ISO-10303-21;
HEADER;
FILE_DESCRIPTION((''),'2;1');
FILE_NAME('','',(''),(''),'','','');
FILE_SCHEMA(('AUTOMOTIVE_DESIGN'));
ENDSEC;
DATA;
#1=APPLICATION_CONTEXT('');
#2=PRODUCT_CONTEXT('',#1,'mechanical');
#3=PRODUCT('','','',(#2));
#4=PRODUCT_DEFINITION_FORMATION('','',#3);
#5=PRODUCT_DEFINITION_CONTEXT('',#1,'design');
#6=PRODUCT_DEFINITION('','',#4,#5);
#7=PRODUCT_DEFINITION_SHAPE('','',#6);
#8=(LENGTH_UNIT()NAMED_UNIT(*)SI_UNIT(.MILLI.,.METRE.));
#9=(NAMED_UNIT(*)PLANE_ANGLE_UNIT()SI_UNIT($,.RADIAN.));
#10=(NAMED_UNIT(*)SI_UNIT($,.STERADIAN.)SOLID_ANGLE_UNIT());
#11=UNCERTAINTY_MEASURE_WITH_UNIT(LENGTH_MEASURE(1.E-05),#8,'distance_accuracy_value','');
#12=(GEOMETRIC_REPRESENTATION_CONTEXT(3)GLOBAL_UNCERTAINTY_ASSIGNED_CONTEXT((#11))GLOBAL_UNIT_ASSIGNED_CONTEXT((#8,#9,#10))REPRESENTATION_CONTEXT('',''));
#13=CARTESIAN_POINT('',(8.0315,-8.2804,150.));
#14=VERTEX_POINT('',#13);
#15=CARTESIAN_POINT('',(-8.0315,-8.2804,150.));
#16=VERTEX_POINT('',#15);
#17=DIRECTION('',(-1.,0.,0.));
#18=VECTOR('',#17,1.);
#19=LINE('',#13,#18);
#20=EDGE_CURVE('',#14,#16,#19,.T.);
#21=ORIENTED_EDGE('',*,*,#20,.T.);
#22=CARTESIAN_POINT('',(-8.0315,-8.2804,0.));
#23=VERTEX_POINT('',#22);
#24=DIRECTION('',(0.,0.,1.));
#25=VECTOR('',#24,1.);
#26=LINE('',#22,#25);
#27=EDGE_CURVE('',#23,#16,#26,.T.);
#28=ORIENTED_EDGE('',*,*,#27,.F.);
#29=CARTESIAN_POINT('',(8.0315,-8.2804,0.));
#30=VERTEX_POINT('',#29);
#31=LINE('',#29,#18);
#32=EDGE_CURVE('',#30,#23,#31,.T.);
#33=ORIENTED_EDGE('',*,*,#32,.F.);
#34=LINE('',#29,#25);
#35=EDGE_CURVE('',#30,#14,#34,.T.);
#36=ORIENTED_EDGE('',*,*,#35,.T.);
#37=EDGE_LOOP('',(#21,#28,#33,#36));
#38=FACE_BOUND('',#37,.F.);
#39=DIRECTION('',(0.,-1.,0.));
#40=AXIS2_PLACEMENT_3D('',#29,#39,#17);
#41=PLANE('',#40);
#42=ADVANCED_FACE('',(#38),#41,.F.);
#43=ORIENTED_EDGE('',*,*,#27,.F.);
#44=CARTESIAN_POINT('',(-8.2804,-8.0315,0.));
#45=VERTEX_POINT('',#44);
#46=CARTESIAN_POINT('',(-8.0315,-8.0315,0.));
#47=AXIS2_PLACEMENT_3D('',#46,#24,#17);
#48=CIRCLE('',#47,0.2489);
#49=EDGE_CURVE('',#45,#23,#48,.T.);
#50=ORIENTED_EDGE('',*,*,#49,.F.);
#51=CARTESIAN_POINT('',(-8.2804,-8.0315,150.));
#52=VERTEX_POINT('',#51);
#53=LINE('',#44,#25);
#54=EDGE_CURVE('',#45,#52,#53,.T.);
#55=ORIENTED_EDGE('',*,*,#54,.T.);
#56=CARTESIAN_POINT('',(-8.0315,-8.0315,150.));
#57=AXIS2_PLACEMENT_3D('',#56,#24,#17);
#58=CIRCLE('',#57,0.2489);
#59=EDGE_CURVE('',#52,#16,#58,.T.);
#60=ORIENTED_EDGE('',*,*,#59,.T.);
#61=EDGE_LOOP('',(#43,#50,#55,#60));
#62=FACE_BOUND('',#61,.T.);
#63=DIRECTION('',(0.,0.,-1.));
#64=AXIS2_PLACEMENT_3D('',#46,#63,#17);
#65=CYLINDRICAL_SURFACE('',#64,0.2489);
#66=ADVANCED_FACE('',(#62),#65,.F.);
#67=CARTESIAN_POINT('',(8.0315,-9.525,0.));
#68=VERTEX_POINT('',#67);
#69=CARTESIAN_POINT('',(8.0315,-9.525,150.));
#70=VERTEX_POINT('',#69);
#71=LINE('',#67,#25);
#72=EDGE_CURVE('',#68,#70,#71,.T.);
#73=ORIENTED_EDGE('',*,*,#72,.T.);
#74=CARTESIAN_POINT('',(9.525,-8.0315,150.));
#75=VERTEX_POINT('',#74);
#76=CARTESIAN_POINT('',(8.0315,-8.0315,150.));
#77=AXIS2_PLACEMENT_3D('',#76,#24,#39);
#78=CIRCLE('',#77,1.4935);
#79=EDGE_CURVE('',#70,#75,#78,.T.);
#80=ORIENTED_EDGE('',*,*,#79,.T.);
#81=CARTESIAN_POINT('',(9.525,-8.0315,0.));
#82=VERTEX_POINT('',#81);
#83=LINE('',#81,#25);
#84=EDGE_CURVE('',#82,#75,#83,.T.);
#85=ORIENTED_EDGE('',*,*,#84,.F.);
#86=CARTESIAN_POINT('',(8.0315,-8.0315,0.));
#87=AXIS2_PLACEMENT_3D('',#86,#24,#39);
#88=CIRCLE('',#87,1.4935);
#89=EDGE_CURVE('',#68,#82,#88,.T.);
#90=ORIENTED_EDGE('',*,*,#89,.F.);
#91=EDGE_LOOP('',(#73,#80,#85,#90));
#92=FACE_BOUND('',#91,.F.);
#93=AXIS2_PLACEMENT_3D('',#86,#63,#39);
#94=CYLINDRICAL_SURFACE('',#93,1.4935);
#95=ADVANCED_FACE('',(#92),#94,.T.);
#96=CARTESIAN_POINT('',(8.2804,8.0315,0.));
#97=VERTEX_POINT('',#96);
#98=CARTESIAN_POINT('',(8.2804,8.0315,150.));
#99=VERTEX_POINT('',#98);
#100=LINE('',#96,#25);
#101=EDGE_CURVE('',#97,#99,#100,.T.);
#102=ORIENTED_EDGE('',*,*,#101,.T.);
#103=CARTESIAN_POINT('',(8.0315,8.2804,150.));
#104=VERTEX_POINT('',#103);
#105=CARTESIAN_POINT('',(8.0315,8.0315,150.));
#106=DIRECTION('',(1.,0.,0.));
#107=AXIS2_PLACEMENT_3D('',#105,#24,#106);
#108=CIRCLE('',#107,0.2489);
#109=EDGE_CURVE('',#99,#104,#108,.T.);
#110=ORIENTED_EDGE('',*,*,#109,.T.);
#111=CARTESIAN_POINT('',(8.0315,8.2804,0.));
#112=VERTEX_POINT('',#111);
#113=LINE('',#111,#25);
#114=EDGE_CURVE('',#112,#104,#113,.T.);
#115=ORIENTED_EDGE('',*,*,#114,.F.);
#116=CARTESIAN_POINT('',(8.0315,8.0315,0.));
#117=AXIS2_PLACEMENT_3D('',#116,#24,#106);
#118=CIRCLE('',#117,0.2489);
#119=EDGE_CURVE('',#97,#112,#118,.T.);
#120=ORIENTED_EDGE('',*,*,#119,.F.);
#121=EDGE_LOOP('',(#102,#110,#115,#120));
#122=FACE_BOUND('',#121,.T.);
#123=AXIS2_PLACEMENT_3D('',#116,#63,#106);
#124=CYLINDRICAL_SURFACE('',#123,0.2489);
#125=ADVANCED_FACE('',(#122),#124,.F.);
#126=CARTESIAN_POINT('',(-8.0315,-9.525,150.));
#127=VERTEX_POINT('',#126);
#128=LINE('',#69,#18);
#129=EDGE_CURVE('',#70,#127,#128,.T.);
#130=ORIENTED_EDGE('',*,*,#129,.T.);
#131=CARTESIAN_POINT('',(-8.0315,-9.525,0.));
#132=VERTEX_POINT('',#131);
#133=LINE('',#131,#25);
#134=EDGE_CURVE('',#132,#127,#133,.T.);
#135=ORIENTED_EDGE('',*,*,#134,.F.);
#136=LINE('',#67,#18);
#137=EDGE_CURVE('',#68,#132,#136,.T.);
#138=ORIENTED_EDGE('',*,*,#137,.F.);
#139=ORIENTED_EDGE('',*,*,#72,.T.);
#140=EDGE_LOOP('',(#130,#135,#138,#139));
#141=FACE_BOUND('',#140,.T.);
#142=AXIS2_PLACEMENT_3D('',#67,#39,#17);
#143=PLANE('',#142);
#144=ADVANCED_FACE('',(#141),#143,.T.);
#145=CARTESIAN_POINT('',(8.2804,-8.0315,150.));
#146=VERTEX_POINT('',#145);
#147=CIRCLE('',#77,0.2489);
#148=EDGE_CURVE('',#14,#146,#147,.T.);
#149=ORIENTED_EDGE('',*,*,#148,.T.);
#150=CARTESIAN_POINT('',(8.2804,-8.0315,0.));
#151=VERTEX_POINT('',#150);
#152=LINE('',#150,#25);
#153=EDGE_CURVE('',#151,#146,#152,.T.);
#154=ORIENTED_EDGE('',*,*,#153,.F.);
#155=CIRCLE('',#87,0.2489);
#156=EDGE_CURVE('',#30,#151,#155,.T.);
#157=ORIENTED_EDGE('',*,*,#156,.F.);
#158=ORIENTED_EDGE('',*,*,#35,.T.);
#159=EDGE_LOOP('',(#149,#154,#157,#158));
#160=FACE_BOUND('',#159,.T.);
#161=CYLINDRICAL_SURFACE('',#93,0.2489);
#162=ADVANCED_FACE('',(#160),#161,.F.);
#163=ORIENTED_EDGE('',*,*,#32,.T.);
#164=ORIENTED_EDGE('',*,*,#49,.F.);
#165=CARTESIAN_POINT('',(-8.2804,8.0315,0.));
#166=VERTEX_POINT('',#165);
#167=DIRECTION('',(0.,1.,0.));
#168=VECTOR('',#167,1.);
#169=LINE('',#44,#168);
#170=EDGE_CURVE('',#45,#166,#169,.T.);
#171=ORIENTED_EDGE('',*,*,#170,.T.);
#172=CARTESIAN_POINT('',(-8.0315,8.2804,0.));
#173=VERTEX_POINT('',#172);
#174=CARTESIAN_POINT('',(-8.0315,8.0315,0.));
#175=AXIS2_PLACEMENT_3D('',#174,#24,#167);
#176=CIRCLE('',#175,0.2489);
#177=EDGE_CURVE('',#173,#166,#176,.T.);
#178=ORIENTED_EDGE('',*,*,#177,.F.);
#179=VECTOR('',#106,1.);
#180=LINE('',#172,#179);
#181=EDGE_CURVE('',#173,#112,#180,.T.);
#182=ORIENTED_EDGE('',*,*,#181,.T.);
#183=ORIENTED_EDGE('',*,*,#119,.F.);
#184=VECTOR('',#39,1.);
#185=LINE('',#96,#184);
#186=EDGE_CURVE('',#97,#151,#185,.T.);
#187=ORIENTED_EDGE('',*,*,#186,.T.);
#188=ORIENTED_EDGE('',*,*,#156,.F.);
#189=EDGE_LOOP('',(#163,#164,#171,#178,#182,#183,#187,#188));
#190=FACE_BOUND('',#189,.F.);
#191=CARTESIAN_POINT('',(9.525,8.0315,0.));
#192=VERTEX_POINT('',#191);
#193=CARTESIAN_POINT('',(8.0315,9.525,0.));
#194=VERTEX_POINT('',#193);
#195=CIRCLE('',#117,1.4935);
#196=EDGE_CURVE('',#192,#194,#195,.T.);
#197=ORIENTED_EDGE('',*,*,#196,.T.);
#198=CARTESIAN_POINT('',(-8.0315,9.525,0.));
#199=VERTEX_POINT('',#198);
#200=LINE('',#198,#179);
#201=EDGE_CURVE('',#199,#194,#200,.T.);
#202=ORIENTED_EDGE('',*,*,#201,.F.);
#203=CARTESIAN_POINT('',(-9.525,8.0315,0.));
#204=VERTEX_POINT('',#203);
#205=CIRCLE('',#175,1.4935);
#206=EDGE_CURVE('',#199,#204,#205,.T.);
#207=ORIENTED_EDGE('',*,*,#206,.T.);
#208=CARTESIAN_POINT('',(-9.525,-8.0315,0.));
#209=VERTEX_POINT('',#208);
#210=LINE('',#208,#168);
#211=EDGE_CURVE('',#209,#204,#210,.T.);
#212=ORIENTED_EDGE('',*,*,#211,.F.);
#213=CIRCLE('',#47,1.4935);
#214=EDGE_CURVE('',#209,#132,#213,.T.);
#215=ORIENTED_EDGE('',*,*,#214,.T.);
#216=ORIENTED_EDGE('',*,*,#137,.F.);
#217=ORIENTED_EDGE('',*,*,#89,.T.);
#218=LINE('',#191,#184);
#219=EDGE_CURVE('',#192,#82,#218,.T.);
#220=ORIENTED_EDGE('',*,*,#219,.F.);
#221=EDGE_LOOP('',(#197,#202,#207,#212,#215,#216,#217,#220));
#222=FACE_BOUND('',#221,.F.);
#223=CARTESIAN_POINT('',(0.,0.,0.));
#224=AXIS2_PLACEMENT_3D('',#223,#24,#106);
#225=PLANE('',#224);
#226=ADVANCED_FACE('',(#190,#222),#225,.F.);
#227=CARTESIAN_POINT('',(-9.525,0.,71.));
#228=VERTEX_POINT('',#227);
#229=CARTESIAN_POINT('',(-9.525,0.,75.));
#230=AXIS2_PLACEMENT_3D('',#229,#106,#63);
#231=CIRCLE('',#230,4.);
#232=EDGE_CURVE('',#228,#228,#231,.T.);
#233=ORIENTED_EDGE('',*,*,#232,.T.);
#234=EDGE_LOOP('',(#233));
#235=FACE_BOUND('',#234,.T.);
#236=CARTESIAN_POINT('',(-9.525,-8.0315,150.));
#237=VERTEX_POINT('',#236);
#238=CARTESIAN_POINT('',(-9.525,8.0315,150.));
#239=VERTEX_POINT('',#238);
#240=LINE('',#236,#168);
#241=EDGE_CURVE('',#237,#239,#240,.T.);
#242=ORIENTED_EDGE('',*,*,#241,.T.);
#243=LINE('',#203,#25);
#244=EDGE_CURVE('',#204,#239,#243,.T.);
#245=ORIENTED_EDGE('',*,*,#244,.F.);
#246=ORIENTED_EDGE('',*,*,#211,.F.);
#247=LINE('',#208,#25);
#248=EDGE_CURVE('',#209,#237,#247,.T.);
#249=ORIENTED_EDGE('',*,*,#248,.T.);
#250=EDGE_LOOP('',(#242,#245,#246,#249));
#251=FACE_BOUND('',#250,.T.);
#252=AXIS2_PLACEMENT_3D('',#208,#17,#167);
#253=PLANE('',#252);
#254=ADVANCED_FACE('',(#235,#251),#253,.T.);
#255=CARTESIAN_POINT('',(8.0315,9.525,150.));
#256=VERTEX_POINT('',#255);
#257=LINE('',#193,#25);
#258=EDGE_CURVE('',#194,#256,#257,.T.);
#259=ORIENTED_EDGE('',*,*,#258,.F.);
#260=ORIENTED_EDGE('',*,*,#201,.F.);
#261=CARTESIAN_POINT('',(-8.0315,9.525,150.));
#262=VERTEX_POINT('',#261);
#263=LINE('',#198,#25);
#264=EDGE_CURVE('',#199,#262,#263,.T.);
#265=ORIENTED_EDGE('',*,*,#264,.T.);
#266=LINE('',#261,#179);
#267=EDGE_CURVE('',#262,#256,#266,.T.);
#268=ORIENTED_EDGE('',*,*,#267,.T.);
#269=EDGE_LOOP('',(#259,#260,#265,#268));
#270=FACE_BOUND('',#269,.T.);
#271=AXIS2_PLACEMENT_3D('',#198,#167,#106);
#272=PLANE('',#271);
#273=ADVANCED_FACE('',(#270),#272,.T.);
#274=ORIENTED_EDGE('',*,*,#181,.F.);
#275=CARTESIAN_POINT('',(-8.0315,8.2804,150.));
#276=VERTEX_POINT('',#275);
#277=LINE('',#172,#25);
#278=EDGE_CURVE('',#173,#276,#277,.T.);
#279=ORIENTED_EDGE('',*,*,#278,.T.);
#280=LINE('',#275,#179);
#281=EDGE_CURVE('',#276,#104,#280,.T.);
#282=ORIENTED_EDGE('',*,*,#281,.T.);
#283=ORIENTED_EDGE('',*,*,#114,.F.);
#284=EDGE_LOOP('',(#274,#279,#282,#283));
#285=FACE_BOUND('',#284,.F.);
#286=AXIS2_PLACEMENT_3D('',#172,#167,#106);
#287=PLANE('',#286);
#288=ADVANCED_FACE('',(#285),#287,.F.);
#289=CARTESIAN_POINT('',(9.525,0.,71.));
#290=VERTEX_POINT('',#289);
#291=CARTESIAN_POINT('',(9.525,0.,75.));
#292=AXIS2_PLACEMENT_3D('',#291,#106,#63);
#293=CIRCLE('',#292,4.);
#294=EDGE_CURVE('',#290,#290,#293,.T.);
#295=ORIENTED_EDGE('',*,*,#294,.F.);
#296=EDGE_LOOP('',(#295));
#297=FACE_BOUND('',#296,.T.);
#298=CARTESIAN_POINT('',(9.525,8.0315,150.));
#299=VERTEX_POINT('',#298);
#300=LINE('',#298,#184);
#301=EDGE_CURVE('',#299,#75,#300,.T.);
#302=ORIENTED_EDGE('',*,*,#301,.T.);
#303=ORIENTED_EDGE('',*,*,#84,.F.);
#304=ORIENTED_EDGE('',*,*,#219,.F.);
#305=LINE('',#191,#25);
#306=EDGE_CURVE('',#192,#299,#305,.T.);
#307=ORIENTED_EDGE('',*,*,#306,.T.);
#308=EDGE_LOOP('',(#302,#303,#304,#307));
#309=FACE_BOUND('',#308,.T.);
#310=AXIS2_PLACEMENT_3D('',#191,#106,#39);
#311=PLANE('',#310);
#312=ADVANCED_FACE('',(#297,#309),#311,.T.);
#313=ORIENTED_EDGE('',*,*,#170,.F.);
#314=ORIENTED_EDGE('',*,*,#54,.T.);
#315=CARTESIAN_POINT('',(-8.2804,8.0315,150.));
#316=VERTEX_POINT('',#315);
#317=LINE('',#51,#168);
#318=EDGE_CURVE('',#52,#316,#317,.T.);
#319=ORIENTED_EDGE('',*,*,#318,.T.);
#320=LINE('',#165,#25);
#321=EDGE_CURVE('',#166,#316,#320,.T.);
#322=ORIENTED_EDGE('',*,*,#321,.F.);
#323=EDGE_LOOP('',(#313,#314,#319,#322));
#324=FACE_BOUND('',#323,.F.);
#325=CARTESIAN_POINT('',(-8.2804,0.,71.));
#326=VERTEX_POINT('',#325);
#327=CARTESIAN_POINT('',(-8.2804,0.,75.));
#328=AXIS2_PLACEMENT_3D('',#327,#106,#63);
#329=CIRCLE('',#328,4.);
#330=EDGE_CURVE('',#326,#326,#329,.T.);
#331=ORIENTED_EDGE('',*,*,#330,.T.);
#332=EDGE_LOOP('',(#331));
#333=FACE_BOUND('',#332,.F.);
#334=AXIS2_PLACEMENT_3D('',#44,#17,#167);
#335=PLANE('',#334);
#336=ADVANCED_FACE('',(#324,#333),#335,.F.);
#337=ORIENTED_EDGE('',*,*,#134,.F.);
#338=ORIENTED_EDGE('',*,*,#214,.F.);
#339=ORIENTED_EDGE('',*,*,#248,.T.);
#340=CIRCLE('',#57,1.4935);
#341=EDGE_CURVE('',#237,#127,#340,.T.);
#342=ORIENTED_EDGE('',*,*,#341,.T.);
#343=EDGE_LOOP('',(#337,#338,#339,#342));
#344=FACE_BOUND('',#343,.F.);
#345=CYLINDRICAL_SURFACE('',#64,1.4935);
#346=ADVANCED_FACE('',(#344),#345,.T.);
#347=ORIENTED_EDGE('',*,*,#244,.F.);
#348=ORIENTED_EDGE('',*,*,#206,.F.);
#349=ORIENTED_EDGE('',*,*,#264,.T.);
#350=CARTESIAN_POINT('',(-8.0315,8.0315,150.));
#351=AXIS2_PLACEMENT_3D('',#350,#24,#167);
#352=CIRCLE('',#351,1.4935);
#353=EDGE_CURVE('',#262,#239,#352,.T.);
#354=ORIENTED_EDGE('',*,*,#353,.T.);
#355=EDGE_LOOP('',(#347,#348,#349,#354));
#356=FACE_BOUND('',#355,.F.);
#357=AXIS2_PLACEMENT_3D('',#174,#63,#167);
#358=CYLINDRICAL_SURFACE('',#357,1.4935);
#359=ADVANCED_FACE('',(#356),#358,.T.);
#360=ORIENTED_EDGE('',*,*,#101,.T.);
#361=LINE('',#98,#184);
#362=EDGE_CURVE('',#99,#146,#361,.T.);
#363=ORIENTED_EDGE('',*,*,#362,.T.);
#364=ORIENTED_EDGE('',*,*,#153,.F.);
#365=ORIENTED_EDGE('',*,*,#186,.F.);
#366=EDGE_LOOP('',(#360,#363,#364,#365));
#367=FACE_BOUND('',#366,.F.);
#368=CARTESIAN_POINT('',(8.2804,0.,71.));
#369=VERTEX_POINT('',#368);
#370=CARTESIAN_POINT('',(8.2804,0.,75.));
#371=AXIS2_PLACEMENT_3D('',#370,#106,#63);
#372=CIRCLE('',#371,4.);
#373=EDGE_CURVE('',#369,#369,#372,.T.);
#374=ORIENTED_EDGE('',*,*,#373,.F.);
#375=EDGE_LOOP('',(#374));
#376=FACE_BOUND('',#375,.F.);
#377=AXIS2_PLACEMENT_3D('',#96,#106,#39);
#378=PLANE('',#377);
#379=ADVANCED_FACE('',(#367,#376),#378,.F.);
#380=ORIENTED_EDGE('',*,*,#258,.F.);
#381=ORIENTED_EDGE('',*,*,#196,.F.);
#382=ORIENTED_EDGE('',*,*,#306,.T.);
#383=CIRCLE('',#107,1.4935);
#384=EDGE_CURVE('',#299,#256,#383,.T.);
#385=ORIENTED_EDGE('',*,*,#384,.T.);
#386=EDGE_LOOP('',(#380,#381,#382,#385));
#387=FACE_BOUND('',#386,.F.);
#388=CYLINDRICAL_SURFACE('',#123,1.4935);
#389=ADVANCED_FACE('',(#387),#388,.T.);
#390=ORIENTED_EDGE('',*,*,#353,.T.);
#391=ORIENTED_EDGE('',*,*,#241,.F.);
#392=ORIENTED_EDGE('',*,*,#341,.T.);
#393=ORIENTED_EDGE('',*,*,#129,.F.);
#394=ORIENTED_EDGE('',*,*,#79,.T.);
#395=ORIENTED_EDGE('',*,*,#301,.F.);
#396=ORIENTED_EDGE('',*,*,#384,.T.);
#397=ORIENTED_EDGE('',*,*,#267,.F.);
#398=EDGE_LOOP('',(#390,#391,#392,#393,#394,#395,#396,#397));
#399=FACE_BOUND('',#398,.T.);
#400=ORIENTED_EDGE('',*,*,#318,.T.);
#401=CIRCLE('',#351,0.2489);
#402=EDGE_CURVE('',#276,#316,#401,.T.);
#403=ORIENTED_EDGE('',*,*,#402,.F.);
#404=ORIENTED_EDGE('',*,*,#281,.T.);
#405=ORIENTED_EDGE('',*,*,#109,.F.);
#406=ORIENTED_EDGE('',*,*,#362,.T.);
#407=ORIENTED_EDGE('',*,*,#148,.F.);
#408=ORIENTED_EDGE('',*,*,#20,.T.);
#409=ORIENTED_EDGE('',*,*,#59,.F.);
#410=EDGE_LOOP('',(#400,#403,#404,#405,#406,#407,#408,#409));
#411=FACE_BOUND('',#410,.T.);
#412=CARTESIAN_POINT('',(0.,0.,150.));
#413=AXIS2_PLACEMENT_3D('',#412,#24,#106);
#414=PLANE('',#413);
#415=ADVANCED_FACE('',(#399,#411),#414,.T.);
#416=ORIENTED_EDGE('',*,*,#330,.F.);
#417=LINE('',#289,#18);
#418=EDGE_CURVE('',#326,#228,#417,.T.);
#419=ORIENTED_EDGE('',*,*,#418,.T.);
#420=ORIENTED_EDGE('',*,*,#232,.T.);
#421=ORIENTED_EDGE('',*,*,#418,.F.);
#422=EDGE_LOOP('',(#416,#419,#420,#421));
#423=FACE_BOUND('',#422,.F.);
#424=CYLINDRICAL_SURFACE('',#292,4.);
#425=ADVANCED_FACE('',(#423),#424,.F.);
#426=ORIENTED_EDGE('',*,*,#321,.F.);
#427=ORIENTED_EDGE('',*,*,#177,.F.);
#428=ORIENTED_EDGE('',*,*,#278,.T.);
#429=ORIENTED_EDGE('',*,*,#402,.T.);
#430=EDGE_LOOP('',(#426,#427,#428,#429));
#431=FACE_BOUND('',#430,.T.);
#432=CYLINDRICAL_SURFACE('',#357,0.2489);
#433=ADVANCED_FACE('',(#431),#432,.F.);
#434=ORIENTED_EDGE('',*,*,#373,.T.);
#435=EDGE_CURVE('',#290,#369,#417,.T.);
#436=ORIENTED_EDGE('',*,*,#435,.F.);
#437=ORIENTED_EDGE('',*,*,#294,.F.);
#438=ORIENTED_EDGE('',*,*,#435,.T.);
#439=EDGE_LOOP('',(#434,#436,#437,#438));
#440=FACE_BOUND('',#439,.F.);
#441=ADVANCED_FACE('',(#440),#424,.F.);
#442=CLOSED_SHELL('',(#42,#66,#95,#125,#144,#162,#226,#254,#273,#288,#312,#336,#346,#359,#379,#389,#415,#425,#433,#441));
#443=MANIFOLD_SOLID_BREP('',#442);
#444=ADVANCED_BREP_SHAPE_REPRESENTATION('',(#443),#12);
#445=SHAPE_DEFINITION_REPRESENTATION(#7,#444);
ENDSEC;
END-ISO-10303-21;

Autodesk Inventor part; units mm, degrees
ref_plane "YZ Plane" through (0, 0, 0) normal (1, 0, 0) x (0, 1, 0)
ref_plane "Start Plane" through (0, 0, 0) normal (0, 0, 1) x (1, 0, 0)
ref_plane "End Plane" through (0, 0, 150) normal (0, 0, 1) x (1, 0, 0)
sketch "Sketch" plane through (0, 0, 0) normal (0, 0, 1) x (1, 0, 0)
  line L0 (-9.525, -8.0315) -> (-9.525, 8.0315)
  line L1 (-8.0315, 9.525) -> (8.0315, 9.525)
  line L2 (9.525, 8.0315) -> (9.525, -8.0315)
  line L3 (8.0315, -9.525) -> (-8.0315, -9.525)
  arc A0 (-9.525, -8.0315) -> (-8.0315, -9.525) centre (-8.0315, -8.0315) ccw
  arc A1 (-8.0315, 9.525) -> (-9.525, 8.0315) centre (-8.0315, 8.0315) ccw
  arc A2 (9.525, 8.0315) -> (8.0315, 9.525) centre (8.0315, 8.0315) ccw
  arc A3 (8.0315, -9.525) -> (9.525, -8.0315) centre (8.0315, -8.0315) ccw
  arc A4 (-8.0315, 8.2804) -> (-8.2804, 8.0315) centre (-8.0315, 8.0315) ccw
  line L4 (-8.0315, 8.2804) -> (8.0315, 8.2804)
  arc A5 (8.2804, 8.0315) -> (8.0315, 8.2804) centre (8.0315, 8.0315) ccw
  line L5 (8.2804, 8.0315) -> (8.2804, -8.0315)
  arc A6 (8.0315, -8.2804) -> (8.2804, -8.0315) centre (8.0315, -8.0315) ccw
  line L6 (8.0315, -8.2804) -> (-8.0315, -8.2804)
  arc A7 (-8.2804, -8.0315) -> (-8.0315, -8.2804) centre (-8.0315, -8.0315) ccw
  line L7 (-8.2804, -8.0315) -> (-8.2804, 8.0315)
  line L8 (0, 13.768) -> (0, -13.768) construction
  line L9 (-13.8012, 0) -> (13.9669, 0) construction
  dimension "d10" = 19.05
  dimension "d11" = 19.05
  dimension "d12" = 1.2446
  dimension "d15" = 9.525
  dimension "d16" = 9.525
  dimension "d17" = 1.4935
extrude "Body" add sketch "Sketch" along normal up to surface (150 mm away) from surface at 0
sketch "Sketch3" plane through (0, 0, 0) normal (0, 0, 1) x (1, 0, 0)
  line L0 (0, 0) -> (10, 0)
ref_plane "Work Plane3" through (0, 0, 0) normal (0, -1, 0) x (1, 0, 0)
sketch "Sketch5" plane through (9.525, -8.0315, 150) normal (1, 0, 0) x (0, 0, -1)
  line L0 (0, 16.063) -> (0, 0) projected
  line L1 (150, 0) -> (0, 0) projected
  line L2 (150, 16.063) -> (150, 0) projected
  line L3 (150, 16.063) -> (0, 16.063) projected
  circle A0 centre (75, 8.0315) radius 4
  point P0 (150, 8.0315)
  point P1 (150, 8.0315)
  point P2 (75, 16.063)
  dimension "d20" = 8
extrude "Extrusion2" cut sketch "Sketch5" against normal blind 25.4 contours A0
sketch "Sketch4" plane through (0, 0, 0) normal (0, -1, 0) x (1, 0, 0)
  line L0 (-2, 0) -> (12, 0) projected
  line L1 (-2, 150) -> (12, 150) projected
  dimension "d19" = 150
equation "\"d10\" = G_H"
equation "\"d11\" = G_W"
equation "\"d12\" = G_T"
equation "\"d15\" = 0.5 * d10"
equation "\"d16\" = 0.5 * d11"
equation "\"d17\" = G_IR"
equation "\"d3\" = G_L"
equation "\"G_W\" = 19.05"
equation "\"G_H\" = 19.05"
equation "\"G_T\" = 1.2446"
equation "\"G_IR\" = 1.2 * G_T"
equation "\"G_L\" = d19"
equation "\"G_OFFSET_START\" = 0"
equation "\"G_OFFSET_END\" = 0"
equation "\"d14\" = G_OFFSET_END + B_L"
equation "\"B_L\" = 150"
properties part number "ASTM A513 - 3/4 x 3/4 x 49/1000 - 5.906" material "Steel, Mild"
